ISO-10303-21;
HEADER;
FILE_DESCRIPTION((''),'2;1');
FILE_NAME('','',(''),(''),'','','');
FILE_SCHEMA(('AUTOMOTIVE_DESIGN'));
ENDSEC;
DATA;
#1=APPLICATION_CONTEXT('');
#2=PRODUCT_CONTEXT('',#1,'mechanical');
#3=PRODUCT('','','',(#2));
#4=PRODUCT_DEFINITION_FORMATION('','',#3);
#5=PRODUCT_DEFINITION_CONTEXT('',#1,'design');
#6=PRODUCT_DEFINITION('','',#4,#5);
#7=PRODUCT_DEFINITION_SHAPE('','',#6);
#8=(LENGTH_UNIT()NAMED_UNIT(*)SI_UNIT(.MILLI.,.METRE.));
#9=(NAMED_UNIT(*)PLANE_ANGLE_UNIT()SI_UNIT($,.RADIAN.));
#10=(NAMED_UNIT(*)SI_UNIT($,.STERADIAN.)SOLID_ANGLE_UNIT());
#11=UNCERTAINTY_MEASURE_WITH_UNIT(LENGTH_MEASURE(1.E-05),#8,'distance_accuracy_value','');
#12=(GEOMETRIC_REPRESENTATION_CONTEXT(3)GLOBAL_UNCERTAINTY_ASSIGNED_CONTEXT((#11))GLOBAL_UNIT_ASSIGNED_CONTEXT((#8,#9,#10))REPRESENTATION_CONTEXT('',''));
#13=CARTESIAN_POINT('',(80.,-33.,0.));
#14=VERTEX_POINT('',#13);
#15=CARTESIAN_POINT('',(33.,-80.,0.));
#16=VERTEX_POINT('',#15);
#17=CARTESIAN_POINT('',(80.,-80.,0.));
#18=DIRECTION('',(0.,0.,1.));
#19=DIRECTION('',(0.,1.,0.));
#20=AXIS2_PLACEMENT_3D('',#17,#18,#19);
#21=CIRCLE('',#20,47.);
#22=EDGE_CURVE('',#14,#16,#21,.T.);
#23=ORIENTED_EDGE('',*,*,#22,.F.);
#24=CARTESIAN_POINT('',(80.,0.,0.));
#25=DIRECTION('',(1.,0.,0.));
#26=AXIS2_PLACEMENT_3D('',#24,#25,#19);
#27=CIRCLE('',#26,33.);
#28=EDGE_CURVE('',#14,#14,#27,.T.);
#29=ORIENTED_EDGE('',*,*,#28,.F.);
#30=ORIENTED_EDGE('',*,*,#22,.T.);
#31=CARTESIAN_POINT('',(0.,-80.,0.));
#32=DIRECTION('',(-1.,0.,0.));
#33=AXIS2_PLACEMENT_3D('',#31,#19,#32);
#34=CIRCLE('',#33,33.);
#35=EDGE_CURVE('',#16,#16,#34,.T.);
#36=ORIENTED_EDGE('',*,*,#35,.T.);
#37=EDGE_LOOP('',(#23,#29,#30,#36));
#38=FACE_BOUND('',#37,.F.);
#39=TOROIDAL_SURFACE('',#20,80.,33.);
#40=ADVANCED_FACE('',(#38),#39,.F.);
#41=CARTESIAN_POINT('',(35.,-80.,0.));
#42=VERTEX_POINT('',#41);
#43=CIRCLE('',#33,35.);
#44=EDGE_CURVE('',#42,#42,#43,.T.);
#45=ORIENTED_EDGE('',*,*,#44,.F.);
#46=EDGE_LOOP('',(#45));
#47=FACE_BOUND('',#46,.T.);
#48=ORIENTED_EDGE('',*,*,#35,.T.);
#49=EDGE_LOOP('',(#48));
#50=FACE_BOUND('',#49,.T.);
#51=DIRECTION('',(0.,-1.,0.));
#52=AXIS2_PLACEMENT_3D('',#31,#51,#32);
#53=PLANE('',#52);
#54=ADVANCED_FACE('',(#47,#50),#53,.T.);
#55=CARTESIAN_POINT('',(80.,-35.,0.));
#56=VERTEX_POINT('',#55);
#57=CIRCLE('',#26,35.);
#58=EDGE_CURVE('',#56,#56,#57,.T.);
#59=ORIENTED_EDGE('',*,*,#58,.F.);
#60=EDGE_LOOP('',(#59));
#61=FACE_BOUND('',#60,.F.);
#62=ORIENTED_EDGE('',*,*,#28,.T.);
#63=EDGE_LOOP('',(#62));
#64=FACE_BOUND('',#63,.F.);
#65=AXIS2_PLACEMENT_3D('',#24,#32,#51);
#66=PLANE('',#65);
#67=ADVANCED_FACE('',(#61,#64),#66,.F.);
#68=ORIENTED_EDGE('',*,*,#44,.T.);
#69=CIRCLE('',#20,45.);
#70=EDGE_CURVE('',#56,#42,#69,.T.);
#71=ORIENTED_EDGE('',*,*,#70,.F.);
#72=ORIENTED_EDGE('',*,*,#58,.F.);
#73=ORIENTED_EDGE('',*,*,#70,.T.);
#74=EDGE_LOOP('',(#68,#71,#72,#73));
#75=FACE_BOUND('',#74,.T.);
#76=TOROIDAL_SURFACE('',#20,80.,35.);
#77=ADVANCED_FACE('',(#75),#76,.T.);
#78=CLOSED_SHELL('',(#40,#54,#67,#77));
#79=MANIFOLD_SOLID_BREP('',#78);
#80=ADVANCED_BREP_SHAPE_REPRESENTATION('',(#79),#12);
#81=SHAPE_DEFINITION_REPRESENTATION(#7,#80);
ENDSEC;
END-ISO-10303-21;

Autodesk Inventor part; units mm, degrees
ref_plane "YZ Plane" through (0, 0, 0) normal (1, 0, 0) x (0, 1, 0)
ref_plane "XZ Plane" through (0, 0, 0) normal (0, 1, 0) x (-1, 0, 0)
sketch "Szkic6" plane through (0, 0, 0) normal (0, 0, 1) x (1, 0, 0)
  line L0 (-29.6067, 0) -> (35.2678, 0) construction
  line L1 (0, 42.3419) -> (0, -58.3726) construction
  arc A0 (80, 0) -> (0, -80) centre (80, -80) ccw
  line L2 (0, -80) -> (80, -80) construction
  line L3 (80, -80) -> (80, -14.4669) construction
  line L4 (80, 0) -> (80, 0)
  line L5 (0, -80) -> (0, -80)
  point P0 (0, 0)
  dimension "d24" = 80
  dimension "d31" = 90
  dimension "d36" = 0
  dimension "d37" = 0
ref_plane "Płaszczyzna konstrukcyjna2" through (0, -80, 0) normal (0, -1, 0) x (1, 0, 0)
sketch "Szkic8" plane through (0, -80, 0) normal (0, -1, 0) x (1, 0, 0)
  circle A0 centre (0, 0) radius 35
  circle A1 centre (0, 0) radius 33
  dimension "d32" = 70
  dimension "d33" = 2
sweep "Przeciągnięcie2" add profiles "Szkic8" path "Szkic6"
equation "\"d32\" = OD"
equation "\"d33\" = THK"
equation "\"d24\" = R"
equation "\"d31\" = KAT"
equation "\"SzerokośćGięciaPodcięcia\" = Grubość"
equation "\"RozmiarPodcięciaNarożnika\" = 4 * Grubość"
equation "\"PromieńPrzejścia\" = PromieńGięcia"
equation "\"Rozmiar_promienia_Jacobiego\" = PromieńGięcia"
equation "\"Wielk_odstępu\" = Grubość"
equation "\"d2\" = PromieńGięcia"
equation "\"d23\" = PromieńGięcia"
equation "\"R\" = 80"
equation "\"OD\" = 70"
equation "\"THK\" = 2"
equation "\"KAT\" = 90deg"
equation "\"PROSTKA\" = 0"
equation "\"Grubość\" = 1.5"
equation "\"PromieńGięcia\" = 3"
properties part number "Kolano 90° ø70x2 R80" material "304L"
